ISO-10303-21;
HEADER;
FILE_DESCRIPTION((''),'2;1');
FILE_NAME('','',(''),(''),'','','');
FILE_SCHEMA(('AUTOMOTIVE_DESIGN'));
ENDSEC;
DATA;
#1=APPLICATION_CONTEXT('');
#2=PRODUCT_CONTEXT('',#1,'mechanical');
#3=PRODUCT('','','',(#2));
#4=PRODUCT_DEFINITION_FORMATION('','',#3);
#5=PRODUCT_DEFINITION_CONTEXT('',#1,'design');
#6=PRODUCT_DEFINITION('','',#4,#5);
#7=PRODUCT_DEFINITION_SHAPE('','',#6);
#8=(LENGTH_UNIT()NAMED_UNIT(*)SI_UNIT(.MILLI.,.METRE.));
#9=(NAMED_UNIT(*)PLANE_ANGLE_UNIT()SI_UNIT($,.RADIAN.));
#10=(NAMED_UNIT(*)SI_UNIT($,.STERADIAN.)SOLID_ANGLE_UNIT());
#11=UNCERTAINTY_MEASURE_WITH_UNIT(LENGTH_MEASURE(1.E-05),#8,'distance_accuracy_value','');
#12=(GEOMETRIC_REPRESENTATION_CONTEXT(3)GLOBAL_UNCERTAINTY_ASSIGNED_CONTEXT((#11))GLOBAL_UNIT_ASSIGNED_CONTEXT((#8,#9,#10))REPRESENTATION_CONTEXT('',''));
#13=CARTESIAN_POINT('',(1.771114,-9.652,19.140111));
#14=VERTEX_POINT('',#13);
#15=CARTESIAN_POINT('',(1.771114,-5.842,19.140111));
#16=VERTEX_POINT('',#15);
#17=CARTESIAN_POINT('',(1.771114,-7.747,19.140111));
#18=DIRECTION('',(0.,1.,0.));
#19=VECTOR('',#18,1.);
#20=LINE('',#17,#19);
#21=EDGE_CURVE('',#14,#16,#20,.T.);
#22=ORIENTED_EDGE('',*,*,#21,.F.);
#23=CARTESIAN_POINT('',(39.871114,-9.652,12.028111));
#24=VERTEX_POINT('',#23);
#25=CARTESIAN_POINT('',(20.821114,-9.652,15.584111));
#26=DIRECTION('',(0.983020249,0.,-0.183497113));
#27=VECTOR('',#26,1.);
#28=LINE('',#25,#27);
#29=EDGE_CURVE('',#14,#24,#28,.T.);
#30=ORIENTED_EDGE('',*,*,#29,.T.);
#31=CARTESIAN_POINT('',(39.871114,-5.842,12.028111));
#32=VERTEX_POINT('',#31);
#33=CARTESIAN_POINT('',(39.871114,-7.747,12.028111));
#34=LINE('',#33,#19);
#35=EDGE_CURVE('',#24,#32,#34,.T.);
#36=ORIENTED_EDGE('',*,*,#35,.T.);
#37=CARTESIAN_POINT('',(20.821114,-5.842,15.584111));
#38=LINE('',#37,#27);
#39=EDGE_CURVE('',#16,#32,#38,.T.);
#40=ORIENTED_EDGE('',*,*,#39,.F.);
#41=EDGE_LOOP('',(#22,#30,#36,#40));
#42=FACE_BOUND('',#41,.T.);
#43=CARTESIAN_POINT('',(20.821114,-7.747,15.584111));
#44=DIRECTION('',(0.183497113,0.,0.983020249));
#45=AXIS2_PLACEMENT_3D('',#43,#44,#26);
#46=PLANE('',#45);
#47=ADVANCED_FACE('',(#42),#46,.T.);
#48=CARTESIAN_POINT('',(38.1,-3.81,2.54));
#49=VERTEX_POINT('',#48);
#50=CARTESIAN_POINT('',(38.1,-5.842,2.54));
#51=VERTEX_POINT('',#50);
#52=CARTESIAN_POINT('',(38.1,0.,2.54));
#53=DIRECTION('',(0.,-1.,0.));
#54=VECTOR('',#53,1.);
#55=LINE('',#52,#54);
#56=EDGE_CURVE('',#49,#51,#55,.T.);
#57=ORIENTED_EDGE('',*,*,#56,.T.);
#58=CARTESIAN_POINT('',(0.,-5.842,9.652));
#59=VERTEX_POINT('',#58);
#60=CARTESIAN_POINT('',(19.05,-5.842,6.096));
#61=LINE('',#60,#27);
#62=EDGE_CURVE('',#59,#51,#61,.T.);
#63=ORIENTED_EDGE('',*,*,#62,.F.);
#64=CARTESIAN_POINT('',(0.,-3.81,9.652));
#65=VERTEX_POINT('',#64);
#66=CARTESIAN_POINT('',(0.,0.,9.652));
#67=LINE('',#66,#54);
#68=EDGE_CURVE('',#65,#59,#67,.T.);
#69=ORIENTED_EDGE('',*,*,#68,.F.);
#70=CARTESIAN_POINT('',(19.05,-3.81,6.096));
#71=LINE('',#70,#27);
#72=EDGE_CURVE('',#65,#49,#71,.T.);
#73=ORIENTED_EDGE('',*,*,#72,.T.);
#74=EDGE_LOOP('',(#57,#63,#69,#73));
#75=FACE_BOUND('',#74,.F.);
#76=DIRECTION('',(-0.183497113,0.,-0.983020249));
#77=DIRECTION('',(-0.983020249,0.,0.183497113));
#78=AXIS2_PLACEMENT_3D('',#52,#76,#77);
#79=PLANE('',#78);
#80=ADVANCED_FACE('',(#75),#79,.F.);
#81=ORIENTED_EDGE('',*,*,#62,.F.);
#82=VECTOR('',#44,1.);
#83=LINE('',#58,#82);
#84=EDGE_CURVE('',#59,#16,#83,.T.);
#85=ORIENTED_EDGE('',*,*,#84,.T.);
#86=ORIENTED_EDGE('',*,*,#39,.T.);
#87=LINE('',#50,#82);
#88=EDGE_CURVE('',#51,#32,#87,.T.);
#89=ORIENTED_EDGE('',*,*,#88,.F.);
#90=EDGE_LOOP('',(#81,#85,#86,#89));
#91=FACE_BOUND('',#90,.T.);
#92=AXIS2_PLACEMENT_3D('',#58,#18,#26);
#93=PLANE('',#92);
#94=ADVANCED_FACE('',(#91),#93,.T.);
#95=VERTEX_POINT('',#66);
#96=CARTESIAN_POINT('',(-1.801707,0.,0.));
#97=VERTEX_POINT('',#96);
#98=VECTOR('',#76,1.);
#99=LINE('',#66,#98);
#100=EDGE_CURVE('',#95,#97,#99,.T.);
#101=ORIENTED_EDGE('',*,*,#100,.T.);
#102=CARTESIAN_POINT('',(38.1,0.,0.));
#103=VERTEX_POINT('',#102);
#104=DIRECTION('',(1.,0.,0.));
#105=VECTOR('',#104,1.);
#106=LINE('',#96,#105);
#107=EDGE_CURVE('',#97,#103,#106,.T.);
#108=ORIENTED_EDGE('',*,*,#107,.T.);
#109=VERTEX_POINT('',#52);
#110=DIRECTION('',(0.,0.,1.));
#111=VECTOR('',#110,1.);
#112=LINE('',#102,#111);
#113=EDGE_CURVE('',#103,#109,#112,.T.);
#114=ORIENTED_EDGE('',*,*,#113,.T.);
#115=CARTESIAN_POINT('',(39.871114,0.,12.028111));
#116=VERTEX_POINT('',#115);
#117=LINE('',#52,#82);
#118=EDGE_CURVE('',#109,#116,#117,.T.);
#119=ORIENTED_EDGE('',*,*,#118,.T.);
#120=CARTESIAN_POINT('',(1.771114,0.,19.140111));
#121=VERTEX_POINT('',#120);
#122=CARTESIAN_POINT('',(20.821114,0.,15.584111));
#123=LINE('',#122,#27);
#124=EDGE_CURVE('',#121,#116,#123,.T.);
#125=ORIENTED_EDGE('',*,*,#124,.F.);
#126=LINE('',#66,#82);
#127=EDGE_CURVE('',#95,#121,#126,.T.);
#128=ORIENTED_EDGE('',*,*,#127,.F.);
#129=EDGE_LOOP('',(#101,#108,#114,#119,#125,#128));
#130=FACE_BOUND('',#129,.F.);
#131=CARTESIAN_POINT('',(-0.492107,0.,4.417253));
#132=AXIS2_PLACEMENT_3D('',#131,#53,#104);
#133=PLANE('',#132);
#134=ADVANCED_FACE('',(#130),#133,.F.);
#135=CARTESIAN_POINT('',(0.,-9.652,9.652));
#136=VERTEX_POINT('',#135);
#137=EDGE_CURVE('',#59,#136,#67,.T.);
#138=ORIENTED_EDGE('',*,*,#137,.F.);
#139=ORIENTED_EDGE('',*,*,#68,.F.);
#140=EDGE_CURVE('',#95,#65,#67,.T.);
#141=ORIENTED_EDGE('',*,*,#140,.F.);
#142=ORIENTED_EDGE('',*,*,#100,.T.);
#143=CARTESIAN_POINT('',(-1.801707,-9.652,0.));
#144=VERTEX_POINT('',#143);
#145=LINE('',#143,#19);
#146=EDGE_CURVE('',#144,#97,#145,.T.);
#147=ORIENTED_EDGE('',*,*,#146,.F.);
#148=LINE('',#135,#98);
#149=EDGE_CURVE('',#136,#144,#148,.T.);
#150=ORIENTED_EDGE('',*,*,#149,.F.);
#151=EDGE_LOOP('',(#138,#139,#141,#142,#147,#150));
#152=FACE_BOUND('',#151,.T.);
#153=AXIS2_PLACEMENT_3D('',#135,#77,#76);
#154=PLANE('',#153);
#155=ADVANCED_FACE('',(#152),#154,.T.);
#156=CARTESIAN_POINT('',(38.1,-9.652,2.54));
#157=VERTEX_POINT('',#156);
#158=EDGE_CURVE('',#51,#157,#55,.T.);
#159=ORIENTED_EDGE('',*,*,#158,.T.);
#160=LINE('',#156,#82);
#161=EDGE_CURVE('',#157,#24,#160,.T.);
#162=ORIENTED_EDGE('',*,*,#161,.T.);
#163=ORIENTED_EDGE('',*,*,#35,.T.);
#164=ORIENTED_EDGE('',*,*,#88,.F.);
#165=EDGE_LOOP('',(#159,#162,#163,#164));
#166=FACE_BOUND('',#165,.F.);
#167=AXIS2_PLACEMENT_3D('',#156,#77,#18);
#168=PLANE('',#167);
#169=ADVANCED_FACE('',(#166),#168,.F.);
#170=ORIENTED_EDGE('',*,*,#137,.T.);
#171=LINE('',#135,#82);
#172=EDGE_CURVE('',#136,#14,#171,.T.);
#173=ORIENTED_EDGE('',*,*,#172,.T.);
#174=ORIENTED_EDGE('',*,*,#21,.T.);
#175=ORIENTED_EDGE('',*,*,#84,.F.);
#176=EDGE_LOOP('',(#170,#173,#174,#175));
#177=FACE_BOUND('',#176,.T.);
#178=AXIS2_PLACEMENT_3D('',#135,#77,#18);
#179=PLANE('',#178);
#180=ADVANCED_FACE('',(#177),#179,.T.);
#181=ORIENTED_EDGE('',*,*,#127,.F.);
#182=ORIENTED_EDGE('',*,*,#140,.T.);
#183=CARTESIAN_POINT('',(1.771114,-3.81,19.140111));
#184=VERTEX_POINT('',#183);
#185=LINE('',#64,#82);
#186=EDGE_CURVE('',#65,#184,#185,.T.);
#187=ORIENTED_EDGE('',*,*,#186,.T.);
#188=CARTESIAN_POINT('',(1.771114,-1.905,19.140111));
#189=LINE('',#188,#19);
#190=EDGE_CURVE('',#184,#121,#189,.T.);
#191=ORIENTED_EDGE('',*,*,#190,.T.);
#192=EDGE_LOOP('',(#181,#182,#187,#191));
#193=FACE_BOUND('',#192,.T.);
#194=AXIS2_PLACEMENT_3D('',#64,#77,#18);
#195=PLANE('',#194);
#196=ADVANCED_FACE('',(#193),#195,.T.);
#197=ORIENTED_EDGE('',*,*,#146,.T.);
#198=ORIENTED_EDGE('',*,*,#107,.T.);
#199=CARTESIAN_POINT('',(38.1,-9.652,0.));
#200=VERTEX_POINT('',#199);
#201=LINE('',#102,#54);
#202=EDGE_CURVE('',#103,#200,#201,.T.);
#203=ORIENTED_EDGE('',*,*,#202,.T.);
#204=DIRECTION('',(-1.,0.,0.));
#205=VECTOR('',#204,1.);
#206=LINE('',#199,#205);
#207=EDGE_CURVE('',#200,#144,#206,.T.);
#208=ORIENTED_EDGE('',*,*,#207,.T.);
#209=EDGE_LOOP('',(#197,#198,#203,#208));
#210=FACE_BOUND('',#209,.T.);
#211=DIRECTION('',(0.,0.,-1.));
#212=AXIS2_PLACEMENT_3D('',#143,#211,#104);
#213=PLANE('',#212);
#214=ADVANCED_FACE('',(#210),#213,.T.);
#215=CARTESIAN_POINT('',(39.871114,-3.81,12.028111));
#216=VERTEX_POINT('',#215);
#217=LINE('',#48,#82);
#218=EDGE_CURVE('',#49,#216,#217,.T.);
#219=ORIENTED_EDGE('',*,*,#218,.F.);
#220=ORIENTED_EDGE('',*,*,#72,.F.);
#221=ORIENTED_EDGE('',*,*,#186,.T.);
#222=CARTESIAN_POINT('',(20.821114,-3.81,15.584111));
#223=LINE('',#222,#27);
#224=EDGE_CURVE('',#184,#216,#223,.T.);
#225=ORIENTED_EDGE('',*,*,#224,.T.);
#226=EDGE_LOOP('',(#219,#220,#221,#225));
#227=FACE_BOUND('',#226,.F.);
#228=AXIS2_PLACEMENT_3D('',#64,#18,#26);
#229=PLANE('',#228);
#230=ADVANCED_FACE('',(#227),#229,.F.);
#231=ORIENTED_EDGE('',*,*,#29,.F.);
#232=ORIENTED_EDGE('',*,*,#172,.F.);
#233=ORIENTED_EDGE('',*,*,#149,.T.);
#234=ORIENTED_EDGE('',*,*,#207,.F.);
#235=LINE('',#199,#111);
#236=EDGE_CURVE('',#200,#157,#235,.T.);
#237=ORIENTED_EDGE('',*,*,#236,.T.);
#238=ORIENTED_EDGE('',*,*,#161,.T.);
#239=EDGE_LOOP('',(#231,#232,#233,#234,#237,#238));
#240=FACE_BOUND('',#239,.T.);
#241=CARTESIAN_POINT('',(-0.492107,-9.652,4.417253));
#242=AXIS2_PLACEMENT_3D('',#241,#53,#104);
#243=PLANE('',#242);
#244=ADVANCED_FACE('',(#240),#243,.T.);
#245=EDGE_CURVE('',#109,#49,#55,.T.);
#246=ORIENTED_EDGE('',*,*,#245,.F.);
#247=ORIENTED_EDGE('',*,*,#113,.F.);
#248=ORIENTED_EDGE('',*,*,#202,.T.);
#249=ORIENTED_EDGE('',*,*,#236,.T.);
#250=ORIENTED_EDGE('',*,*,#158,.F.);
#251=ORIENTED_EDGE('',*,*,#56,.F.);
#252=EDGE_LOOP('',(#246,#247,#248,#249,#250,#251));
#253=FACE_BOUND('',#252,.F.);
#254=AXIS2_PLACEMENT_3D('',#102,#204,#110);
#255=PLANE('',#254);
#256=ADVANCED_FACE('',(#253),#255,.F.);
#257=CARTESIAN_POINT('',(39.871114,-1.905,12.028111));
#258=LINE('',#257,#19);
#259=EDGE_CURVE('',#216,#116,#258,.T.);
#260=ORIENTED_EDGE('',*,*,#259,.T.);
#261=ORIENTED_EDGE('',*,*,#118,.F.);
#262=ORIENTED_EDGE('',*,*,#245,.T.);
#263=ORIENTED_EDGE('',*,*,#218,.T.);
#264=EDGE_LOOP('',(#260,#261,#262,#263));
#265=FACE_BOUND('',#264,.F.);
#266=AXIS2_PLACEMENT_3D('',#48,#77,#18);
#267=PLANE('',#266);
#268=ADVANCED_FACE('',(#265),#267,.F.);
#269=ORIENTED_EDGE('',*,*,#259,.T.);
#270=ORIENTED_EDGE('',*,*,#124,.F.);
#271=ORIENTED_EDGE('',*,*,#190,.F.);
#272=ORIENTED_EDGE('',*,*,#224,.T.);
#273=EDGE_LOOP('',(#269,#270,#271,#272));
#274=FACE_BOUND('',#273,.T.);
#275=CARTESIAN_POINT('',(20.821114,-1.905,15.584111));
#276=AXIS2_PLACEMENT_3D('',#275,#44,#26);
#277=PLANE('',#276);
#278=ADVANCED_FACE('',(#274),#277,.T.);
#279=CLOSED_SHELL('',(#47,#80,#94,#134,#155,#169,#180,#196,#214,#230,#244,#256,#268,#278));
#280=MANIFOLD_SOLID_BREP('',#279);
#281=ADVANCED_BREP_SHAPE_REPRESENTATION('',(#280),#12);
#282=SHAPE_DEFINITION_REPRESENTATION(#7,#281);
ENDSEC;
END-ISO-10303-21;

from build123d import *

# Parameters (mm, degrees)
F1_DEPTH = 9.652
F2_W     = 38.7581029464
F2_H     = 3.81
F3_DEPTH = 9.652
F5_DEPTH = 9.652


with BuildPart() as f1:
    # F0 (on Front) → F1 (new body)
    with BuildSketch(Plane.XZ):
        Polygon((0, 9.652), (0, 0), (38.1, 0), (38.1, 2.54), align=None)
    extrude(amount=F1_DEPTH)

    # F2 (on face) → F3 (join)
    with BuildSketch(Plane(origin=(1.7410410582, 0, 9.3270056691), x_dir=(0.9830202488, 0, -0.1834971131), z_dir=(0.1834971131, 0, 0.9830202488))):
        with Locations((17.6079373375, -7.747)):
            Rectangle(F2_W, F2_H)
        with Locations((17.6079373375, -1.905)):
            Rectangle(F2_W, F2_H)
    extrude(amount=F3_DEPTH)

    # F4 (on face) → F5 (join)
    with BuildSketch(Plane.XZ.offset(9.652)):
        Polygon((0, 0), (0, 9.652), (-1.8017066667, 0), align=None)
    extrude(amount=-F5_DEPTH)


solid = f1.part
